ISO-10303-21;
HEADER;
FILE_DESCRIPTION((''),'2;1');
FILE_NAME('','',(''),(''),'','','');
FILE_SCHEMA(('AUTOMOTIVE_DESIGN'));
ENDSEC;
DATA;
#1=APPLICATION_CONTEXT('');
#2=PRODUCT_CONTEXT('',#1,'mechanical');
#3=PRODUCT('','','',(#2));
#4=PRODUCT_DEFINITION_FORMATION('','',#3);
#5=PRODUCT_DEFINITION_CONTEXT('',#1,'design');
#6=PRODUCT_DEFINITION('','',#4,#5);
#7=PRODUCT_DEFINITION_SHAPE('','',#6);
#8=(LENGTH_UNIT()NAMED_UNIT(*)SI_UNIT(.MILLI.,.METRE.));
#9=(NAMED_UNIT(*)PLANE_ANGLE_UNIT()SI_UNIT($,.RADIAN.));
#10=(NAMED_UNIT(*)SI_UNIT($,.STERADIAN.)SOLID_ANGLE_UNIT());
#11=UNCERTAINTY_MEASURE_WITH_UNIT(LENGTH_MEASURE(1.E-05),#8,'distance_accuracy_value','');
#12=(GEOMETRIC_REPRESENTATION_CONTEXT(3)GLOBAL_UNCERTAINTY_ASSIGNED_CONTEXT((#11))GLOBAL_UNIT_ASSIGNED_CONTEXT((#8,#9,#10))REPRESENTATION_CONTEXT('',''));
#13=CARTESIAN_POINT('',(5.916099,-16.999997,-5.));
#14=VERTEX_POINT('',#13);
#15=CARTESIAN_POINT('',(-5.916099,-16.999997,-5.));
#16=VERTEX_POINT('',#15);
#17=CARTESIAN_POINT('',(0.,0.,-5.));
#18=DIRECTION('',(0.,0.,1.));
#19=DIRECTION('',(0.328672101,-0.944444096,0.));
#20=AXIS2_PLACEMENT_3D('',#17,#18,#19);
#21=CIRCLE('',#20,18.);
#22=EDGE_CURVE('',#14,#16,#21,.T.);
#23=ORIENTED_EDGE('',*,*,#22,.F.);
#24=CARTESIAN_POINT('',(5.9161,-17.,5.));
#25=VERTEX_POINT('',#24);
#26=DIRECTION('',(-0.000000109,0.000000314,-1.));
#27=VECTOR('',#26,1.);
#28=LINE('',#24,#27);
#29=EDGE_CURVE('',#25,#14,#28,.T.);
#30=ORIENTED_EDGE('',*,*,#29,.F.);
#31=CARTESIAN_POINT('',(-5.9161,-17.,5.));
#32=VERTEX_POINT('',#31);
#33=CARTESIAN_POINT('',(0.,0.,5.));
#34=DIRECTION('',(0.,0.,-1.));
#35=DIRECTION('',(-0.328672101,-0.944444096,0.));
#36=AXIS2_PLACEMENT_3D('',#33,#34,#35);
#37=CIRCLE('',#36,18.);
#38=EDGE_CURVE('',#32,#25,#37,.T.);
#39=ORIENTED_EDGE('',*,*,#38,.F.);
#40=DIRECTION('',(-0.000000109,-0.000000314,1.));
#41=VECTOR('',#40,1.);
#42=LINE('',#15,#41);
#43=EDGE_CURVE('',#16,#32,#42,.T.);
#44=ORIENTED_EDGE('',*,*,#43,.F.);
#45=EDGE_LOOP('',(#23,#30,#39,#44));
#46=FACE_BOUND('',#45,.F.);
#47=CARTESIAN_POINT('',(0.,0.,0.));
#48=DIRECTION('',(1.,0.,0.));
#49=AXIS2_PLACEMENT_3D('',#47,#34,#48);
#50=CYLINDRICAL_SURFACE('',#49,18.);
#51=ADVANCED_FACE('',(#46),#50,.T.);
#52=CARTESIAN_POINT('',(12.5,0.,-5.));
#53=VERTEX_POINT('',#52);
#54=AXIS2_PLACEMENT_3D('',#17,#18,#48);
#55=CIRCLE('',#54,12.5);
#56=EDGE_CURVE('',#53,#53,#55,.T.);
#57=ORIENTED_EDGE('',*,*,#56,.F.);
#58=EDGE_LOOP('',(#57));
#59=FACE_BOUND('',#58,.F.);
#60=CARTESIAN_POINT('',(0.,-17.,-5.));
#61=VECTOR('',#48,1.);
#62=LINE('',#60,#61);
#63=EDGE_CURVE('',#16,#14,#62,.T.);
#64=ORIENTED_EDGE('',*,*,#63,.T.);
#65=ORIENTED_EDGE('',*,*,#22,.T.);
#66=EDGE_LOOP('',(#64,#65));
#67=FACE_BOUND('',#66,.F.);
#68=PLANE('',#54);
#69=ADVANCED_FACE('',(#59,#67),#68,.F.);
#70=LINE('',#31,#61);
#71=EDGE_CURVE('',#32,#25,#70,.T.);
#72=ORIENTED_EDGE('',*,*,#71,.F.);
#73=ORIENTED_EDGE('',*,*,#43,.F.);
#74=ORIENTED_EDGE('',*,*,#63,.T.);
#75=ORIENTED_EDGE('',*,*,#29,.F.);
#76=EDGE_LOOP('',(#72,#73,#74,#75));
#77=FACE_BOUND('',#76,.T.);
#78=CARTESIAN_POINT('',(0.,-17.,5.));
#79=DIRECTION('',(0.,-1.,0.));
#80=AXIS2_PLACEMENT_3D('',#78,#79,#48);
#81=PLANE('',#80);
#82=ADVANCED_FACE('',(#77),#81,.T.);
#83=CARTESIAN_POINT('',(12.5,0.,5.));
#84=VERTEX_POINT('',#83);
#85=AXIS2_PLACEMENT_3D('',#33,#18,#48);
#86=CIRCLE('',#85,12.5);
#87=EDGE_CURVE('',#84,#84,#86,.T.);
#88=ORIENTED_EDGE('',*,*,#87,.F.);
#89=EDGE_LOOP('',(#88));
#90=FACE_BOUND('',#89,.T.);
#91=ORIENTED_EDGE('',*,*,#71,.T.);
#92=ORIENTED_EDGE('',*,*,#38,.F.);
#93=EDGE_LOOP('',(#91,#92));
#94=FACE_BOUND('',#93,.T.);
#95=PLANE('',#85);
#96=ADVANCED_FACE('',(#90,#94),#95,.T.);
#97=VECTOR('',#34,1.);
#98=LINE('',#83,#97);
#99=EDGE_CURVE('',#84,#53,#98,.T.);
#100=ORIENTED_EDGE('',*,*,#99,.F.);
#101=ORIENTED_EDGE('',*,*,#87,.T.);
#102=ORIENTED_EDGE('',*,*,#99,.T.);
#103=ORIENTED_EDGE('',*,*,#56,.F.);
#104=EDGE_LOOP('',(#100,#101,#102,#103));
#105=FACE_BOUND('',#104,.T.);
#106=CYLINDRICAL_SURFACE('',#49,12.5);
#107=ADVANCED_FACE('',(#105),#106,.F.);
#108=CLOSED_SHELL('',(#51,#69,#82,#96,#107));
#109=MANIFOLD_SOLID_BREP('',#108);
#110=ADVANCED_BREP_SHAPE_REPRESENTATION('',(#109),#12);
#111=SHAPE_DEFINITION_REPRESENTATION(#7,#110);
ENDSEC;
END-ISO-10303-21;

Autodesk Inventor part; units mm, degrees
ref_plane "YZ Plane" through (0, 0, 0) normal (1, 0, 0) x (0, 1, 0)
ref_plane "XZ Plane" through (0, 0, 0) normal (0, 1, 0) x (-1, 0, 0)
ref_plane "XY Plane" through (0, 0, 0) normal (0, 0, 1) x (1, 0, 0)
sketch "Sketch2" plane through (0, 0, 0) normal (0, 0, 1) x (1, 0, 0)
  circle A0 centre (0, 0) radius 18
  circle A1 centre (0, 0) radius 12.5
  dimension "d0" = 36
  dimension "d1" = 25
extrude "Extrusion1" add sketch "Sketch2" along normal mid plane 10
sketch "Sketch3" plane through (0, 0, 5) normal (0, 0, 1) x (1, 0, 0)
  circle A0 centre (0, 0) radius 18 projected
  line L0 (0, -25.2) -> (0, 25.2) projected
  line L1 (5.9161, -18) -> (-5.9161, -18)
  line L2 (-5.9161, -18) -> (-5.9161, -17)
  line L3 (-5.9161, -17) -> (5.9161, -17)
  line L4 (5.9161, -17) -> (5.9161, -18)
  point P0 (0, -18)
  point P1 (0, -17)
  dimension "d4" = 1
extrude "Extrusion2" cut sketch "Sketch3" against normal through all contours L4 L1 A0 | A0 L0 L3 | L1 L2 A0 | A0 L3 L0 picked at (3.3005, -17.1844) picked at (-3.3005, -17.1844)
properties part number "sleeve"
